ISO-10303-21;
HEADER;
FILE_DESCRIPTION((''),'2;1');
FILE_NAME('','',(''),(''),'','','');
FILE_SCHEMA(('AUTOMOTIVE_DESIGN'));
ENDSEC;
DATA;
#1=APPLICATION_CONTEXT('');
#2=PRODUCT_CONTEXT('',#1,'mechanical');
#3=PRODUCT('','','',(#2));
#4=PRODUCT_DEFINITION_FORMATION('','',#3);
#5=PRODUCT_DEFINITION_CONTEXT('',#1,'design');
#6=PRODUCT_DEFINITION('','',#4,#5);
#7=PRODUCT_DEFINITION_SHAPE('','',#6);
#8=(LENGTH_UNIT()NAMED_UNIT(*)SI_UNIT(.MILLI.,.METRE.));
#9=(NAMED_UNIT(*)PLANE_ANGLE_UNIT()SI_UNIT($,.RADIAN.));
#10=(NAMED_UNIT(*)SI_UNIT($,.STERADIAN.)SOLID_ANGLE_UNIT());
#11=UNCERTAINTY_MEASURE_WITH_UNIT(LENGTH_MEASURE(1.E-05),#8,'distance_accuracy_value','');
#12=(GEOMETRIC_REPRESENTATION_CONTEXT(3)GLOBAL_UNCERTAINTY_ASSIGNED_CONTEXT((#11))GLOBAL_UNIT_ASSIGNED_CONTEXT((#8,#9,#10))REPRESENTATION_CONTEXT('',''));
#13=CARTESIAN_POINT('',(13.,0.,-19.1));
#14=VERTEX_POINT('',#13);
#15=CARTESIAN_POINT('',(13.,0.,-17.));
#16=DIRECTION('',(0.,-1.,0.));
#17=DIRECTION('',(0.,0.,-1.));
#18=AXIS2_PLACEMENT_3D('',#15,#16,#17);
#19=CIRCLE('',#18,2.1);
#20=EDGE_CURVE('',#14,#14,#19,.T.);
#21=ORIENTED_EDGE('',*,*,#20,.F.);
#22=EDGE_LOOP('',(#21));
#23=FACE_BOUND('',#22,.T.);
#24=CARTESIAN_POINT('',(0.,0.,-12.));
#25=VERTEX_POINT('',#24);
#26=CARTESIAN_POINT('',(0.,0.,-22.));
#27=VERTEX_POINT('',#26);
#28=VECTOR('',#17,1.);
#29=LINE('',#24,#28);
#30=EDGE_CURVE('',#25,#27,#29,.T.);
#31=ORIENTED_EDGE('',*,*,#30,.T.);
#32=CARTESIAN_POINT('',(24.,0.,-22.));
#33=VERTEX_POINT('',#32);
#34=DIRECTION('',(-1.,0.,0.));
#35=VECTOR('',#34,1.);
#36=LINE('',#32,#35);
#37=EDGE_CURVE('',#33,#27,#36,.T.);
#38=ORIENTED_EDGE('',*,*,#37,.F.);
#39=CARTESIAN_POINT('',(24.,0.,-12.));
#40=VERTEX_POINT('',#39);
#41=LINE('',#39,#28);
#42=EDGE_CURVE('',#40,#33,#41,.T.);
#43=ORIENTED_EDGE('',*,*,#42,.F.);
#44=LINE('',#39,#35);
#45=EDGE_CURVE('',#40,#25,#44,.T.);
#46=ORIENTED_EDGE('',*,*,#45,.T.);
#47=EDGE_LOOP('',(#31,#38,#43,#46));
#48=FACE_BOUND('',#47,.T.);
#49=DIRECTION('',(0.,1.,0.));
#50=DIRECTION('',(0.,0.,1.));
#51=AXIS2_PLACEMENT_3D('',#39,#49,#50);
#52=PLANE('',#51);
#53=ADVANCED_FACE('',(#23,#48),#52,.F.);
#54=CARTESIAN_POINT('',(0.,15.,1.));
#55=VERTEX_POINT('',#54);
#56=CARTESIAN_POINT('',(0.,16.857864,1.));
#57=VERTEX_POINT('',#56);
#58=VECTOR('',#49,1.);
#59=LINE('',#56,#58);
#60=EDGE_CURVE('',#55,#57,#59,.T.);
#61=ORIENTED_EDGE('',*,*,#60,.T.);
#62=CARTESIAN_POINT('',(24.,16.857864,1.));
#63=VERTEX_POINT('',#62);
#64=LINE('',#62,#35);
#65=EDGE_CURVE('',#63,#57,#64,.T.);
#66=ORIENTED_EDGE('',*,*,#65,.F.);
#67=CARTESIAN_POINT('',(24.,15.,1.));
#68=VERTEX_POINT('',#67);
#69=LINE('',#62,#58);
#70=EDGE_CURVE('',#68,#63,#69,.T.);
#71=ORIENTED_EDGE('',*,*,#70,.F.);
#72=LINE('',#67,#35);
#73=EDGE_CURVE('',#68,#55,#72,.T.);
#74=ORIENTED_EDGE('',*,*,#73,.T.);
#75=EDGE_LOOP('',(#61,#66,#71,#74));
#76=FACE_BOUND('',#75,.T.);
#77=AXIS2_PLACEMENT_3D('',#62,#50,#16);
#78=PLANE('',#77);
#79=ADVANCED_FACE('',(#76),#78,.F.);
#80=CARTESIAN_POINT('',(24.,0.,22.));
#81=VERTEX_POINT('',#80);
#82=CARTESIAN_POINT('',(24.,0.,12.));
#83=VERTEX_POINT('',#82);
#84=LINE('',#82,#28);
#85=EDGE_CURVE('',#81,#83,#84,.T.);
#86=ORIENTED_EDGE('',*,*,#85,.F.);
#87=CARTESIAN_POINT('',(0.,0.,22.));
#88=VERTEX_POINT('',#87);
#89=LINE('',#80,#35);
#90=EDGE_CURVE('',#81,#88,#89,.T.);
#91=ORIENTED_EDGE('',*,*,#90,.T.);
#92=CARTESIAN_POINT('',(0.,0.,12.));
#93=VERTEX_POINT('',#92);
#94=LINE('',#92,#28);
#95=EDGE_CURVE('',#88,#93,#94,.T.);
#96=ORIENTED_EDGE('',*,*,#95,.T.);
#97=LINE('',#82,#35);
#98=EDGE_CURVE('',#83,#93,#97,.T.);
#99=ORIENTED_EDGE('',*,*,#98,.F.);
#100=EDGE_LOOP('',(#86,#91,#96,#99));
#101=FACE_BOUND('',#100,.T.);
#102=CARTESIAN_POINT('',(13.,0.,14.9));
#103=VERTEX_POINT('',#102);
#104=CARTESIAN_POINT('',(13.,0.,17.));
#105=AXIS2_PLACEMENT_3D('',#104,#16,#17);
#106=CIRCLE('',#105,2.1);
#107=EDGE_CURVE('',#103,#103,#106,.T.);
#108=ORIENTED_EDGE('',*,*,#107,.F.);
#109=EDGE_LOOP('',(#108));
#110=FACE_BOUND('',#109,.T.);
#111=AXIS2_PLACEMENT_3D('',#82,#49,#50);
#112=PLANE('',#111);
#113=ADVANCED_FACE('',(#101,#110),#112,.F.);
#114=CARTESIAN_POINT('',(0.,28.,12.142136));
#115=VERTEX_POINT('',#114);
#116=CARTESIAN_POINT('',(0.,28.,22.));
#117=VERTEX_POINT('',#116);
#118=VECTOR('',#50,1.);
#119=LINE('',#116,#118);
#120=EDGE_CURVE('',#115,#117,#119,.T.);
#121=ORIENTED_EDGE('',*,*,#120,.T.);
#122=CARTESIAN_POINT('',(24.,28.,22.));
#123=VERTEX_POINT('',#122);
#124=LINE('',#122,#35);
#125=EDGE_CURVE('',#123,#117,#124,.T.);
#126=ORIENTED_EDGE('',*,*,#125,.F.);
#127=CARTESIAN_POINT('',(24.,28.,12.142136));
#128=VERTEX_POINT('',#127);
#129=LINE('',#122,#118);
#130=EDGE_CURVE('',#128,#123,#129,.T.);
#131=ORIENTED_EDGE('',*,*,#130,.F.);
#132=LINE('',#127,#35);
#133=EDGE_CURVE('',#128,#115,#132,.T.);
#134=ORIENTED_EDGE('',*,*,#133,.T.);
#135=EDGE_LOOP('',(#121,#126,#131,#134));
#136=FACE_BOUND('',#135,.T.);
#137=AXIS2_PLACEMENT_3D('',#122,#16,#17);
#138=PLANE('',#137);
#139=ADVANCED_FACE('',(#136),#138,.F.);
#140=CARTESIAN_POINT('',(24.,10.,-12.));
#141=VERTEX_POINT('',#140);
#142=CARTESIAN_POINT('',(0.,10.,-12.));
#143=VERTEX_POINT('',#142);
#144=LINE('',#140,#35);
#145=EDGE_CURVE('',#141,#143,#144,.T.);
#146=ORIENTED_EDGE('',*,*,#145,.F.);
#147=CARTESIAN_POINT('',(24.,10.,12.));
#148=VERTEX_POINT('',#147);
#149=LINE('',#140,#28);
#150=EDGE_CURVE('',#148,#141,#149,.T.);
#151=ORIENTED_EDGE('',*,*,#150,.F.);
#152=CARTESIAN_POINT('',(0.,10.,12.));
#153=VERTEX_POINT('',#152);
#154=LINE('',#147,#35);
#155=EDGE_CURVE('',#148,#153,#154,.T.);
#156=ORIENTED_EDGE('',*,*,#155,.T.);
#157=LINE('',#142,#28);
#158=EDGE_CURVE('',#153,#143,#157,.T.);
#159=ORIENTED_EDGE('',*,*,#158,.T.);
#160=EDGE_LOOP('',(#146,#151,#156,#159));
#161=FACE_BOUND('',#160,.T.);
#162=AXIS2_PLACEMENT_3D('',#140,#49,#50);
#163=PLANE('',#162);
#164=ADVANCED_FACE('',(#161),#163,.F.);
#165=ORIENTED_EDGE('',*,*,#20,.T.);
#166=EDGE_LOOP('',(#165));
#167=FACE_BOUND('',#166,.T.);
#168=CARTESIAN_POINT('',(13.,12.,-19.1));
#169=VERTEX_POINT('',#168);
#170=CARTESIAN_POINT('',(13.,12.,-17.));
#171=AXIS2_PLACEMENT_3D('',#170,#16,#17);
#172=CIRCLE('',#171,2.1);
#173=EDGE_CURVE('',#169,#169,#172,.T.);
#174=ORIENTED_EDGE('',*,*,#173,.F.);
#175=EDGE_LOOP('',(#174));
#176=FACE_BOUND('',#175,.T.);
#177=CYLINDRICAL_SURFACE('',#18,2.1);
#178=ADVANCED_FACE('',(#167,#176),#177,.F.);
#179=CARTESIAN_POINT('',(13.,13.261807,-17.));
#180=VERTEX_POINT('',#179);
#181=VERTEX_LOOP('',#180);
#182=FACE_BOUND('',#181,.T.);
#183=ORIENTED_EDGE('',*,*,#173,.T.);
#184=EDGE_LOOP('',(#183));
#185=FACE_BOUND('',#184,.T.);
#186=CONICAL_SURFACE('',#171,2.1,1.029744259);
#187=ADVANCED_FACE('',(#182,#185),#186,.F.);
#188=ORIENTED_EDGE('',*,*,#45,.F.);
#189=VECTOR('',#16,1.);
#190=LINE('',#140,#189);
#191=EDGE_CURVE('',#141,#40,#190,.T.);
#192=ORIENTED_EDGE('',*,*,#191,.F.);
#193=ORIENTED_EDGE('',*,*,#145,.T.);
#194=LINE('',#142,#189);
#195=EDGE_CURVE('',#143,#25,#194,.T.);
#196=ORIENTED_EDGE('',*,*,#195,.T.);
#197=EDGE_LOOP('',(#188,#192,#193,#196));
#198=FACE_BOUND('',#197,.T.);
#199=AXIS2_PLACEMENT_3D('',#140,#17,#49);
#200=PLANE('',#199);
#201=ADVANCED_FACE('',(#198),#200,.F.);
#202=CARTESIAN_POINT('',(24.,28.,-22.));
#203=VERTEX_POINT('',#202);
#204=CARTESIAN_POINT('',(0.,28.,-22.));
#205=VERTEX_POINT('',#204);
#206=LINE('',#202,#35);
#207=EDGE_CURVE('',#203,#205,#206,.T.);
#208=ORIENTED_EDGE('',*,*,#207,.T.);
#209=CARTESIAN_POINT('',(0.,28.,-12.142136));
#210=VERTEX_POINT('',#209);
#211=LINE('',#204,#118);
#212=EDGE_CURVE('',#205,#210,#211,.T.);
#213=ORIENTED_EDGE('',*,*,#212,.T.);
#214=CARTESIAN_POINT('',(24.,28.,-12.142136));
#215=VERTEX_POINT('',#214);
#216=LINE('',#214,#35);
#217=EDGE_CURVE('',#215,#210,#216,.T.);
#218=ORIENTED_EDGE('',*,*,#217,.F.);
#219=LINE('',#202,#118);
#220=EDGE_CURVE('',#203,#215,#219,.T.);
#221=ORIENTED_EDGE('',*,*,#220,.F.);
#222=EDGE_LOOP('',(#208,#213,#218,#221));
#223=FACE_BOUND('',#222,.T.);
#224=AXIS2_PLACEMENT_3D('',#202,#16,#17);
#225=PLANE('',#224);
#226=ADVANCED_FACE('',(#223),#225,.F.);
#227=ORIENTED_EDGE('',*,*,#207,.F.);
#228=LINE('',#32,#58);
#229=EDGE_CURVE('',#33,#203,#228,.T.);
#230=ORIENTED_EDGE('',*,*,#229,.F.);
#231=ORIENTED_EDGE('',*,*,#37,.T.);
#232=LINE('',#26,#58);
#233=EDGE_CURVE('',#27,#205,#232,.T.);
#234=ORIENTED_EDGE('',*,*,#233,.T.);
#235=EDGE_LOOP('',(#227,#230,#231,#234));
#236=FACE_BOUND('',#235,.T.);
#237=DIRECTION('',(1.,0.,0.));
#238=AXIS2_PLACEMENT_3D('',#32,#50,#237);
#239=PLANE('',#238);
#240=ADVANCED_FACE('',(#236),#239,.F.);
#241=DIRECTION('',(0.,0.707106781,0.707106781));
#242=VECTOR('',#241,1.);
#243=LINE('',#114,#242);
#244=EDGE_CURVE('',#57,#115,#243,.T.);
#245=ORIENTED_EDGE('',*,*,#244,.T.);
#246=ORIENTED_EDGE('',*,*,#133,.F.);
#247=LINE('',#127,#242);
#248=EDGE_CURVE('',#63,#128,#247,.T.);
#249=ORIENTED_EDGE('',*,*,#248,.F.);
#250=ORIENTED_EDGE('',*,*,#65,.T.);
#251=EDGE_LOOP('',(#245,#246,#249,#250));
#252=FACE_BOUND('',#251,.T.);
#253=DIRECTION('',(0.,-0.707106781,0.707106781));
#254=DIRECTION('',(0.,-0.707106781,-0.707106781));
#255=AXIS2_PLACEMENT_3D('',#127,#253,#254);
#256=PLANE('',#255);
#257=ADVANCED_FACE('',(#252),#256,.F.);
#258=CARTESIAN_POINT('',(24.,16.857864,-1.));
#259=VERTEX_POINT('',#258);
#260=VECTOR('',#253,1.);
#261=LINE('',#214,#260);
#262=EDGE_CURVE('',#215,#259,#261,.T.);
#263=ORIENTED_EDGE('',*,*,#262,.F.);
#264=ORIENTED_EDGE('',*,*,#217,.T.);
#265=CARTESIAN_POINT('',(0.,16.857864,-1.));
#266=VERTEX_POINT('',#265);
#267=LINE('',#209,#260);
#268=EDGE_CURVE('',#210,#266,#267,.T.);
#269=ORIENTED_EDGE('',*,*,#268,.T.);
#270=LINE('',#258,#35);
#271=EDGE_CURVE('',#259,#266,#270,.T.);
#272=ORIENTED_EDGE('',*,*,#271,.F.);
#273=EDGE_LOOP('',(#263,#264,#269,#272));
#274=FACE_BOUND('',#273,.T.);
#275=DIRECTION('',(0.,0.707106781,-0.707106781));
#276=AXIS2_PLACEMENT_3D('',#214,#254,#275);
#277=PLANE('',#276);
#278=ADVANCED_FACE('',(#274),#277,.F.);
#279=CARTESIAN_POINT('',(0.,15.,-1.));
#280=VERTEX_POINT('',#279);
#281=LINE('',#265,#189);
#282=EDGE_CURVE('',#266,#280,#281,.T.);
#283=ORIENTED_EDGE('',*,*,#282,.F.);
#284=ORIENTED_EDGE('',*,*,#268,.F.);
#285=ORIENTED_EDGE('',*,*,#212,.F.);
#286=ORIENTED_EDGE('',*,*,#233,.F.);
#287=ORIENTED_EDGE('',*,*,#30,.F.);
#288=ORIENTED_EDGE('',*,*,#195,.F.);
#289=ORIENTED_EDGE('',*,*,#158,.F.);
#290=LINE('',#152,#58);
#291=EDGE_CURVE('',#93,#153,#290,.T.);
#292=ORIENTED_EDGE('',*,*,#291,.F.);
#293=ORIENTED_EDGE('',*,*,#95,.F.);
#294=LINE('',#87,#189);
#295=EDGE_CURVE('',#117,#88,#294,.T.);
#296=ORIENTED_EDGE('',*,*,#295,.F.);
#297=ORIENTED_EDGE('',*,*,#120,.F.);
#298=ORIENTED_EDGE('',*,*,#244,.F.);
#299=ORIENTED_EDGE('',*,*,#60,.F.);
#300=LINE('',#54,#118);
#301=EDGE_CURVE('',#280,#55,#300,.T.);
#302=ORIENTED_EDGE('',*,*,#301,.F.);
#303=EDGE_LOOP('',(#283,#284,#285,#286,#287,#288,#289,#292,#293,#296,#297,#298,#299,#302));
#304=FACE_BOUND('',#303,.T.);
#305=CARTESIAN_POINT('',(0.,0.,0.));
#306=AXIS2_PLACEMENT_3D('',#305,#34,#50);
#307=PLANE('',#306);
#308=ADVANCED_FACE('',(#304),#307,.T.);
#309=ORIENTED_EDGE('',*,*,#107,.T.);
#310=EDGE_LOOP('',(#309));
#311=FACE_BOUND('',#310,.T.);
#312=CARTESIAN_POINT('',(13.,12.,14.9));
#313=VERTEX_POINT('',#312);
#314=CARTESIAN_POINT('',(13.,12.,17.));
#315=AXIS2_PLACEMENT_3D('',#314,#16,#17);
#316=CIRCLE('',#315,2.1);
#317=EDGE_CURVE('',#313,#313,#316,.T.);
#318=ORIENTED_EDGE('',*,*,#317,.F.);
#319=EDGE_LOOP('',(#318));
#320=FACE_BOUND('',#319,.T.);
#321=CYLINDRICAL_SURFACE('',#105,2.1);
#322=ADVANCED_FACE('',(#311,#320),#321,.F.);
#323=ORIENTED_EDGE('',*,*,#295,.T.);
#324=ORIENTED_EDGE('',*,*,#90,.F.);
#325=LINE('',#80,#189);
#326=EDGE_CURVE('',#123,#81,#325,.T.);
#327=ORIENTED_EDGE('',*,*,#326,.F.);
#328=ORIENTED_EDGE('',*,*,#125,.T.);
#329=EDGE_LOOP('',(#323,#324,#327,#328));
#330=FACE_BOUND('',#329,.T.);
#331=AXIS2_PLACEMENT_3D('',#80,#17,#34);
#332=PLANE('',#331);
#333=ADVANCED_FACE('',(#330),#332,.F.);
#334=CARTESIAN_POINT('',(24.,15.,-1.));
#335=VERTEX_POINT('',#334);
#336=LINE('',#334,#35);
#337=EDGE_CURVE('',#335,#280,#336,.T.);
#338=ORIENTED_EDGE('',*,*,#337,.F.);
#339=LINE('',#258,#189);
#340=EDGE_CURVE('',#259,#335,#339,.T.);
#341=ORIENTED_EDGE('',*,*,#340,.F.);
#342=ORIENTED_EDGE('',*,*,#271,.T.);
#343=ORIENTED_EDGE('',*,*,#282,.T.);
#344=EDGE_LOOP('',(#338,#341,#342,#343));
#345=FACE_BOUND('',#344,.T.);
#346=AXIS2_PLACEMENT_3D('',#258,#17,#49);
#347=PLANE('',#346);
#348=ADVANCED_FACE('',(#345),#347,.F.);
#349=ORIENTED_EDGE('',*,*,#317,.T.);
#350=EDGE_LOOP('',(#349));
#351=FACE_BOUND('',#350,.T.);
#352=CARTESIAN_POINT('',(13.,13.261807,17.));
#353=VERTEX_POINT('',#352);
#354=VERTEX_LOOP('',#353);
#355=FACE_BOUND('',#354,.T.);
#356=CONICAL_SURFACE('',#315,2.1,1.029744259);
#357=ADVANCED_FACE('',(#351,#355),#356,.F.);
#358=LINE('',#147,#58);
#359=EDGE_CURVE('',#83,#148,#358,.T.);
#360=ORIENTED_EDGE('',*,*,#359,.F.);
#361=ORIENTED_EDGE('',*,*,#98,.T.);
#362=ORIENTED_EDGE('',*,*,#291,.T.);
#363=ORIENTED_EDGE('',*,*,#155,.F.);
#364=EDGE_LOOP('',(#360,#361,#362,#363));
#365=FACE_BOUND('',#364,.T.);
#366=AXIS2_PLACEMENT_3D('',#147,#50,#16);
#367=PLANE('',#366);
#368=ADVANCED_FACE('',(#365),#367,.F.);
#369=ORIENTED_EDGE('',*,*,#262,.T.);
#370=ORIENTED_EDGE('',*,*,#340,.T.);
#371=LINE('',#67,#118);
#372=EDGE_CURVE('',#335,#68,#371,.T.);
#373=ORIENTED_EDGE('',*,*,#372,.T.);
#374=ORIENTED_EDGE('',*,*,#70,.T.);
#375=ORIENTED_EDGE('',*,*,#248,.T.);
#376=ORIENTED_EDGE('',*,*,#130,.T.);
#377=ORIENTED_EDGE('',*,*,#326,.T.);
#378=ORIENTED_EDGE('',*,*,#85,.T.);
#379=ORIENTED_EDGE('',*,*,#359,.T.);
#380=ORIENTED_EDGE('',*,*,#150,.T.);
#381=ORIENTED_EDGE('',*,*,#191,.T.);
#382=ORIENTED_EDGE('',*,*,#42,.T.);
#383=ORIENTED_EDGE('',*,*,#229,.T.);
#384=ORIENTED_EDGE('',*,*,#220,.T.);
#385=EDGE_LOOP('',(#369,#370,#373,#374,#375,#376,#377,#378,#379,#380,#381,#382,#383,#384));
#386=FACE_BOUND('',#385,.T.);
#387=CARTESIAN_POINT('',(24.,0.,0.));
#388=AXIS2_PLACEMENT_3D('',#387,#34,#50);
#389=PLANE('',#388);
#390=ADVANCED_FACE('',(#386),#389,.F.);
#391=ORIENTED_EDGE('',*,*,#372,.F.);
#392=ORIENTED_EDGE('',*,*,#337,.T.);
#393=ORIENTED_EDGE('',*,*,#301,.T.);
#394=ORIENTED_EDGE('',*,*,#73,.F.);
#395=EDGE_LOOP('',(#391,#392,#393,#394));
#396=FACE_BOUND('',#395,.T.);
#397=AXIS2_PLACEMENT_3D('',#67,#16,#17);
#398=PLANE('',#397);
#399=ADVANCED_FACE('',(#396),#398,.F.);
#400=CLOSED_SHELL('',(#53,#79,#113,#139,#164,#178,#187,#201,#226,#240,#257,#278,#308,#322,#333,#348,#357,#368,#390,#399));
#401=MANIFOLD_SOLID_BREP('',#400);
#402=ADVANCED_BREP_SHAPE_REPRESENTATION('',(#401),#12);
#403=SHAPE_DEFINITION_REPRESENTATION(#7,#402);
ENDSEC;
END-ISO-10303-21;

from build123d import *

# Parameters (mm, degrees)
BOSS_EXTRUDE1_DEPTH   = 24
M5_TAPPED_HOLE1_D     = 4.2
M5_TAPPED_HOLE1_DEPTH = 12
M5_TAPPED_HOLE1_TIP   = 1.2618073


with BuildPart() as part:
    # Sketch1 → Boss-Extrude1 (new body)
    with BuildSketch(Plane(origin=(0, 0, 0), x_dir=(0, 0, -1), z_dir=(1, 0, 0))):
        Polygon((12, 10), (-12, 10), (-12, 0), (-22, 0), (-22, 28), (-12.142135624, 28), (-1, 16.857864376), (-1, 15), (1, 15), (1, 16.857864376), (12.142135624, 28), (22, 28), (22, 0), (12, 0), align=None)
    extrude(amount=BOSS_EXTRUDE1_DEPTH)

    # M5 Tapped Hole1
    with Locations(Plane(origin=(0, 0, 0), x_dir=(-1, 0, 0), z_dir=(0, -1, 0))):
        with Locations((-13, 17), (-13, -17)):
            Hole(M5_TAPPED_HOLE1_D / 2, depth=M5_TAPPED_HOLE1_DEPTH)
            with Locations((0, 0, -(M5_TAPPED_HOLE1_DEPTH + M5_TAPPED_HOLE1_TIP / 2))):  # 118° drill point
                Cone(0, M5_TAPPED_HOLE1_D / 2, M5_TAPPED_HOLE1_TIP, mode=Mode.SUBTRACT)


solid = part.part
